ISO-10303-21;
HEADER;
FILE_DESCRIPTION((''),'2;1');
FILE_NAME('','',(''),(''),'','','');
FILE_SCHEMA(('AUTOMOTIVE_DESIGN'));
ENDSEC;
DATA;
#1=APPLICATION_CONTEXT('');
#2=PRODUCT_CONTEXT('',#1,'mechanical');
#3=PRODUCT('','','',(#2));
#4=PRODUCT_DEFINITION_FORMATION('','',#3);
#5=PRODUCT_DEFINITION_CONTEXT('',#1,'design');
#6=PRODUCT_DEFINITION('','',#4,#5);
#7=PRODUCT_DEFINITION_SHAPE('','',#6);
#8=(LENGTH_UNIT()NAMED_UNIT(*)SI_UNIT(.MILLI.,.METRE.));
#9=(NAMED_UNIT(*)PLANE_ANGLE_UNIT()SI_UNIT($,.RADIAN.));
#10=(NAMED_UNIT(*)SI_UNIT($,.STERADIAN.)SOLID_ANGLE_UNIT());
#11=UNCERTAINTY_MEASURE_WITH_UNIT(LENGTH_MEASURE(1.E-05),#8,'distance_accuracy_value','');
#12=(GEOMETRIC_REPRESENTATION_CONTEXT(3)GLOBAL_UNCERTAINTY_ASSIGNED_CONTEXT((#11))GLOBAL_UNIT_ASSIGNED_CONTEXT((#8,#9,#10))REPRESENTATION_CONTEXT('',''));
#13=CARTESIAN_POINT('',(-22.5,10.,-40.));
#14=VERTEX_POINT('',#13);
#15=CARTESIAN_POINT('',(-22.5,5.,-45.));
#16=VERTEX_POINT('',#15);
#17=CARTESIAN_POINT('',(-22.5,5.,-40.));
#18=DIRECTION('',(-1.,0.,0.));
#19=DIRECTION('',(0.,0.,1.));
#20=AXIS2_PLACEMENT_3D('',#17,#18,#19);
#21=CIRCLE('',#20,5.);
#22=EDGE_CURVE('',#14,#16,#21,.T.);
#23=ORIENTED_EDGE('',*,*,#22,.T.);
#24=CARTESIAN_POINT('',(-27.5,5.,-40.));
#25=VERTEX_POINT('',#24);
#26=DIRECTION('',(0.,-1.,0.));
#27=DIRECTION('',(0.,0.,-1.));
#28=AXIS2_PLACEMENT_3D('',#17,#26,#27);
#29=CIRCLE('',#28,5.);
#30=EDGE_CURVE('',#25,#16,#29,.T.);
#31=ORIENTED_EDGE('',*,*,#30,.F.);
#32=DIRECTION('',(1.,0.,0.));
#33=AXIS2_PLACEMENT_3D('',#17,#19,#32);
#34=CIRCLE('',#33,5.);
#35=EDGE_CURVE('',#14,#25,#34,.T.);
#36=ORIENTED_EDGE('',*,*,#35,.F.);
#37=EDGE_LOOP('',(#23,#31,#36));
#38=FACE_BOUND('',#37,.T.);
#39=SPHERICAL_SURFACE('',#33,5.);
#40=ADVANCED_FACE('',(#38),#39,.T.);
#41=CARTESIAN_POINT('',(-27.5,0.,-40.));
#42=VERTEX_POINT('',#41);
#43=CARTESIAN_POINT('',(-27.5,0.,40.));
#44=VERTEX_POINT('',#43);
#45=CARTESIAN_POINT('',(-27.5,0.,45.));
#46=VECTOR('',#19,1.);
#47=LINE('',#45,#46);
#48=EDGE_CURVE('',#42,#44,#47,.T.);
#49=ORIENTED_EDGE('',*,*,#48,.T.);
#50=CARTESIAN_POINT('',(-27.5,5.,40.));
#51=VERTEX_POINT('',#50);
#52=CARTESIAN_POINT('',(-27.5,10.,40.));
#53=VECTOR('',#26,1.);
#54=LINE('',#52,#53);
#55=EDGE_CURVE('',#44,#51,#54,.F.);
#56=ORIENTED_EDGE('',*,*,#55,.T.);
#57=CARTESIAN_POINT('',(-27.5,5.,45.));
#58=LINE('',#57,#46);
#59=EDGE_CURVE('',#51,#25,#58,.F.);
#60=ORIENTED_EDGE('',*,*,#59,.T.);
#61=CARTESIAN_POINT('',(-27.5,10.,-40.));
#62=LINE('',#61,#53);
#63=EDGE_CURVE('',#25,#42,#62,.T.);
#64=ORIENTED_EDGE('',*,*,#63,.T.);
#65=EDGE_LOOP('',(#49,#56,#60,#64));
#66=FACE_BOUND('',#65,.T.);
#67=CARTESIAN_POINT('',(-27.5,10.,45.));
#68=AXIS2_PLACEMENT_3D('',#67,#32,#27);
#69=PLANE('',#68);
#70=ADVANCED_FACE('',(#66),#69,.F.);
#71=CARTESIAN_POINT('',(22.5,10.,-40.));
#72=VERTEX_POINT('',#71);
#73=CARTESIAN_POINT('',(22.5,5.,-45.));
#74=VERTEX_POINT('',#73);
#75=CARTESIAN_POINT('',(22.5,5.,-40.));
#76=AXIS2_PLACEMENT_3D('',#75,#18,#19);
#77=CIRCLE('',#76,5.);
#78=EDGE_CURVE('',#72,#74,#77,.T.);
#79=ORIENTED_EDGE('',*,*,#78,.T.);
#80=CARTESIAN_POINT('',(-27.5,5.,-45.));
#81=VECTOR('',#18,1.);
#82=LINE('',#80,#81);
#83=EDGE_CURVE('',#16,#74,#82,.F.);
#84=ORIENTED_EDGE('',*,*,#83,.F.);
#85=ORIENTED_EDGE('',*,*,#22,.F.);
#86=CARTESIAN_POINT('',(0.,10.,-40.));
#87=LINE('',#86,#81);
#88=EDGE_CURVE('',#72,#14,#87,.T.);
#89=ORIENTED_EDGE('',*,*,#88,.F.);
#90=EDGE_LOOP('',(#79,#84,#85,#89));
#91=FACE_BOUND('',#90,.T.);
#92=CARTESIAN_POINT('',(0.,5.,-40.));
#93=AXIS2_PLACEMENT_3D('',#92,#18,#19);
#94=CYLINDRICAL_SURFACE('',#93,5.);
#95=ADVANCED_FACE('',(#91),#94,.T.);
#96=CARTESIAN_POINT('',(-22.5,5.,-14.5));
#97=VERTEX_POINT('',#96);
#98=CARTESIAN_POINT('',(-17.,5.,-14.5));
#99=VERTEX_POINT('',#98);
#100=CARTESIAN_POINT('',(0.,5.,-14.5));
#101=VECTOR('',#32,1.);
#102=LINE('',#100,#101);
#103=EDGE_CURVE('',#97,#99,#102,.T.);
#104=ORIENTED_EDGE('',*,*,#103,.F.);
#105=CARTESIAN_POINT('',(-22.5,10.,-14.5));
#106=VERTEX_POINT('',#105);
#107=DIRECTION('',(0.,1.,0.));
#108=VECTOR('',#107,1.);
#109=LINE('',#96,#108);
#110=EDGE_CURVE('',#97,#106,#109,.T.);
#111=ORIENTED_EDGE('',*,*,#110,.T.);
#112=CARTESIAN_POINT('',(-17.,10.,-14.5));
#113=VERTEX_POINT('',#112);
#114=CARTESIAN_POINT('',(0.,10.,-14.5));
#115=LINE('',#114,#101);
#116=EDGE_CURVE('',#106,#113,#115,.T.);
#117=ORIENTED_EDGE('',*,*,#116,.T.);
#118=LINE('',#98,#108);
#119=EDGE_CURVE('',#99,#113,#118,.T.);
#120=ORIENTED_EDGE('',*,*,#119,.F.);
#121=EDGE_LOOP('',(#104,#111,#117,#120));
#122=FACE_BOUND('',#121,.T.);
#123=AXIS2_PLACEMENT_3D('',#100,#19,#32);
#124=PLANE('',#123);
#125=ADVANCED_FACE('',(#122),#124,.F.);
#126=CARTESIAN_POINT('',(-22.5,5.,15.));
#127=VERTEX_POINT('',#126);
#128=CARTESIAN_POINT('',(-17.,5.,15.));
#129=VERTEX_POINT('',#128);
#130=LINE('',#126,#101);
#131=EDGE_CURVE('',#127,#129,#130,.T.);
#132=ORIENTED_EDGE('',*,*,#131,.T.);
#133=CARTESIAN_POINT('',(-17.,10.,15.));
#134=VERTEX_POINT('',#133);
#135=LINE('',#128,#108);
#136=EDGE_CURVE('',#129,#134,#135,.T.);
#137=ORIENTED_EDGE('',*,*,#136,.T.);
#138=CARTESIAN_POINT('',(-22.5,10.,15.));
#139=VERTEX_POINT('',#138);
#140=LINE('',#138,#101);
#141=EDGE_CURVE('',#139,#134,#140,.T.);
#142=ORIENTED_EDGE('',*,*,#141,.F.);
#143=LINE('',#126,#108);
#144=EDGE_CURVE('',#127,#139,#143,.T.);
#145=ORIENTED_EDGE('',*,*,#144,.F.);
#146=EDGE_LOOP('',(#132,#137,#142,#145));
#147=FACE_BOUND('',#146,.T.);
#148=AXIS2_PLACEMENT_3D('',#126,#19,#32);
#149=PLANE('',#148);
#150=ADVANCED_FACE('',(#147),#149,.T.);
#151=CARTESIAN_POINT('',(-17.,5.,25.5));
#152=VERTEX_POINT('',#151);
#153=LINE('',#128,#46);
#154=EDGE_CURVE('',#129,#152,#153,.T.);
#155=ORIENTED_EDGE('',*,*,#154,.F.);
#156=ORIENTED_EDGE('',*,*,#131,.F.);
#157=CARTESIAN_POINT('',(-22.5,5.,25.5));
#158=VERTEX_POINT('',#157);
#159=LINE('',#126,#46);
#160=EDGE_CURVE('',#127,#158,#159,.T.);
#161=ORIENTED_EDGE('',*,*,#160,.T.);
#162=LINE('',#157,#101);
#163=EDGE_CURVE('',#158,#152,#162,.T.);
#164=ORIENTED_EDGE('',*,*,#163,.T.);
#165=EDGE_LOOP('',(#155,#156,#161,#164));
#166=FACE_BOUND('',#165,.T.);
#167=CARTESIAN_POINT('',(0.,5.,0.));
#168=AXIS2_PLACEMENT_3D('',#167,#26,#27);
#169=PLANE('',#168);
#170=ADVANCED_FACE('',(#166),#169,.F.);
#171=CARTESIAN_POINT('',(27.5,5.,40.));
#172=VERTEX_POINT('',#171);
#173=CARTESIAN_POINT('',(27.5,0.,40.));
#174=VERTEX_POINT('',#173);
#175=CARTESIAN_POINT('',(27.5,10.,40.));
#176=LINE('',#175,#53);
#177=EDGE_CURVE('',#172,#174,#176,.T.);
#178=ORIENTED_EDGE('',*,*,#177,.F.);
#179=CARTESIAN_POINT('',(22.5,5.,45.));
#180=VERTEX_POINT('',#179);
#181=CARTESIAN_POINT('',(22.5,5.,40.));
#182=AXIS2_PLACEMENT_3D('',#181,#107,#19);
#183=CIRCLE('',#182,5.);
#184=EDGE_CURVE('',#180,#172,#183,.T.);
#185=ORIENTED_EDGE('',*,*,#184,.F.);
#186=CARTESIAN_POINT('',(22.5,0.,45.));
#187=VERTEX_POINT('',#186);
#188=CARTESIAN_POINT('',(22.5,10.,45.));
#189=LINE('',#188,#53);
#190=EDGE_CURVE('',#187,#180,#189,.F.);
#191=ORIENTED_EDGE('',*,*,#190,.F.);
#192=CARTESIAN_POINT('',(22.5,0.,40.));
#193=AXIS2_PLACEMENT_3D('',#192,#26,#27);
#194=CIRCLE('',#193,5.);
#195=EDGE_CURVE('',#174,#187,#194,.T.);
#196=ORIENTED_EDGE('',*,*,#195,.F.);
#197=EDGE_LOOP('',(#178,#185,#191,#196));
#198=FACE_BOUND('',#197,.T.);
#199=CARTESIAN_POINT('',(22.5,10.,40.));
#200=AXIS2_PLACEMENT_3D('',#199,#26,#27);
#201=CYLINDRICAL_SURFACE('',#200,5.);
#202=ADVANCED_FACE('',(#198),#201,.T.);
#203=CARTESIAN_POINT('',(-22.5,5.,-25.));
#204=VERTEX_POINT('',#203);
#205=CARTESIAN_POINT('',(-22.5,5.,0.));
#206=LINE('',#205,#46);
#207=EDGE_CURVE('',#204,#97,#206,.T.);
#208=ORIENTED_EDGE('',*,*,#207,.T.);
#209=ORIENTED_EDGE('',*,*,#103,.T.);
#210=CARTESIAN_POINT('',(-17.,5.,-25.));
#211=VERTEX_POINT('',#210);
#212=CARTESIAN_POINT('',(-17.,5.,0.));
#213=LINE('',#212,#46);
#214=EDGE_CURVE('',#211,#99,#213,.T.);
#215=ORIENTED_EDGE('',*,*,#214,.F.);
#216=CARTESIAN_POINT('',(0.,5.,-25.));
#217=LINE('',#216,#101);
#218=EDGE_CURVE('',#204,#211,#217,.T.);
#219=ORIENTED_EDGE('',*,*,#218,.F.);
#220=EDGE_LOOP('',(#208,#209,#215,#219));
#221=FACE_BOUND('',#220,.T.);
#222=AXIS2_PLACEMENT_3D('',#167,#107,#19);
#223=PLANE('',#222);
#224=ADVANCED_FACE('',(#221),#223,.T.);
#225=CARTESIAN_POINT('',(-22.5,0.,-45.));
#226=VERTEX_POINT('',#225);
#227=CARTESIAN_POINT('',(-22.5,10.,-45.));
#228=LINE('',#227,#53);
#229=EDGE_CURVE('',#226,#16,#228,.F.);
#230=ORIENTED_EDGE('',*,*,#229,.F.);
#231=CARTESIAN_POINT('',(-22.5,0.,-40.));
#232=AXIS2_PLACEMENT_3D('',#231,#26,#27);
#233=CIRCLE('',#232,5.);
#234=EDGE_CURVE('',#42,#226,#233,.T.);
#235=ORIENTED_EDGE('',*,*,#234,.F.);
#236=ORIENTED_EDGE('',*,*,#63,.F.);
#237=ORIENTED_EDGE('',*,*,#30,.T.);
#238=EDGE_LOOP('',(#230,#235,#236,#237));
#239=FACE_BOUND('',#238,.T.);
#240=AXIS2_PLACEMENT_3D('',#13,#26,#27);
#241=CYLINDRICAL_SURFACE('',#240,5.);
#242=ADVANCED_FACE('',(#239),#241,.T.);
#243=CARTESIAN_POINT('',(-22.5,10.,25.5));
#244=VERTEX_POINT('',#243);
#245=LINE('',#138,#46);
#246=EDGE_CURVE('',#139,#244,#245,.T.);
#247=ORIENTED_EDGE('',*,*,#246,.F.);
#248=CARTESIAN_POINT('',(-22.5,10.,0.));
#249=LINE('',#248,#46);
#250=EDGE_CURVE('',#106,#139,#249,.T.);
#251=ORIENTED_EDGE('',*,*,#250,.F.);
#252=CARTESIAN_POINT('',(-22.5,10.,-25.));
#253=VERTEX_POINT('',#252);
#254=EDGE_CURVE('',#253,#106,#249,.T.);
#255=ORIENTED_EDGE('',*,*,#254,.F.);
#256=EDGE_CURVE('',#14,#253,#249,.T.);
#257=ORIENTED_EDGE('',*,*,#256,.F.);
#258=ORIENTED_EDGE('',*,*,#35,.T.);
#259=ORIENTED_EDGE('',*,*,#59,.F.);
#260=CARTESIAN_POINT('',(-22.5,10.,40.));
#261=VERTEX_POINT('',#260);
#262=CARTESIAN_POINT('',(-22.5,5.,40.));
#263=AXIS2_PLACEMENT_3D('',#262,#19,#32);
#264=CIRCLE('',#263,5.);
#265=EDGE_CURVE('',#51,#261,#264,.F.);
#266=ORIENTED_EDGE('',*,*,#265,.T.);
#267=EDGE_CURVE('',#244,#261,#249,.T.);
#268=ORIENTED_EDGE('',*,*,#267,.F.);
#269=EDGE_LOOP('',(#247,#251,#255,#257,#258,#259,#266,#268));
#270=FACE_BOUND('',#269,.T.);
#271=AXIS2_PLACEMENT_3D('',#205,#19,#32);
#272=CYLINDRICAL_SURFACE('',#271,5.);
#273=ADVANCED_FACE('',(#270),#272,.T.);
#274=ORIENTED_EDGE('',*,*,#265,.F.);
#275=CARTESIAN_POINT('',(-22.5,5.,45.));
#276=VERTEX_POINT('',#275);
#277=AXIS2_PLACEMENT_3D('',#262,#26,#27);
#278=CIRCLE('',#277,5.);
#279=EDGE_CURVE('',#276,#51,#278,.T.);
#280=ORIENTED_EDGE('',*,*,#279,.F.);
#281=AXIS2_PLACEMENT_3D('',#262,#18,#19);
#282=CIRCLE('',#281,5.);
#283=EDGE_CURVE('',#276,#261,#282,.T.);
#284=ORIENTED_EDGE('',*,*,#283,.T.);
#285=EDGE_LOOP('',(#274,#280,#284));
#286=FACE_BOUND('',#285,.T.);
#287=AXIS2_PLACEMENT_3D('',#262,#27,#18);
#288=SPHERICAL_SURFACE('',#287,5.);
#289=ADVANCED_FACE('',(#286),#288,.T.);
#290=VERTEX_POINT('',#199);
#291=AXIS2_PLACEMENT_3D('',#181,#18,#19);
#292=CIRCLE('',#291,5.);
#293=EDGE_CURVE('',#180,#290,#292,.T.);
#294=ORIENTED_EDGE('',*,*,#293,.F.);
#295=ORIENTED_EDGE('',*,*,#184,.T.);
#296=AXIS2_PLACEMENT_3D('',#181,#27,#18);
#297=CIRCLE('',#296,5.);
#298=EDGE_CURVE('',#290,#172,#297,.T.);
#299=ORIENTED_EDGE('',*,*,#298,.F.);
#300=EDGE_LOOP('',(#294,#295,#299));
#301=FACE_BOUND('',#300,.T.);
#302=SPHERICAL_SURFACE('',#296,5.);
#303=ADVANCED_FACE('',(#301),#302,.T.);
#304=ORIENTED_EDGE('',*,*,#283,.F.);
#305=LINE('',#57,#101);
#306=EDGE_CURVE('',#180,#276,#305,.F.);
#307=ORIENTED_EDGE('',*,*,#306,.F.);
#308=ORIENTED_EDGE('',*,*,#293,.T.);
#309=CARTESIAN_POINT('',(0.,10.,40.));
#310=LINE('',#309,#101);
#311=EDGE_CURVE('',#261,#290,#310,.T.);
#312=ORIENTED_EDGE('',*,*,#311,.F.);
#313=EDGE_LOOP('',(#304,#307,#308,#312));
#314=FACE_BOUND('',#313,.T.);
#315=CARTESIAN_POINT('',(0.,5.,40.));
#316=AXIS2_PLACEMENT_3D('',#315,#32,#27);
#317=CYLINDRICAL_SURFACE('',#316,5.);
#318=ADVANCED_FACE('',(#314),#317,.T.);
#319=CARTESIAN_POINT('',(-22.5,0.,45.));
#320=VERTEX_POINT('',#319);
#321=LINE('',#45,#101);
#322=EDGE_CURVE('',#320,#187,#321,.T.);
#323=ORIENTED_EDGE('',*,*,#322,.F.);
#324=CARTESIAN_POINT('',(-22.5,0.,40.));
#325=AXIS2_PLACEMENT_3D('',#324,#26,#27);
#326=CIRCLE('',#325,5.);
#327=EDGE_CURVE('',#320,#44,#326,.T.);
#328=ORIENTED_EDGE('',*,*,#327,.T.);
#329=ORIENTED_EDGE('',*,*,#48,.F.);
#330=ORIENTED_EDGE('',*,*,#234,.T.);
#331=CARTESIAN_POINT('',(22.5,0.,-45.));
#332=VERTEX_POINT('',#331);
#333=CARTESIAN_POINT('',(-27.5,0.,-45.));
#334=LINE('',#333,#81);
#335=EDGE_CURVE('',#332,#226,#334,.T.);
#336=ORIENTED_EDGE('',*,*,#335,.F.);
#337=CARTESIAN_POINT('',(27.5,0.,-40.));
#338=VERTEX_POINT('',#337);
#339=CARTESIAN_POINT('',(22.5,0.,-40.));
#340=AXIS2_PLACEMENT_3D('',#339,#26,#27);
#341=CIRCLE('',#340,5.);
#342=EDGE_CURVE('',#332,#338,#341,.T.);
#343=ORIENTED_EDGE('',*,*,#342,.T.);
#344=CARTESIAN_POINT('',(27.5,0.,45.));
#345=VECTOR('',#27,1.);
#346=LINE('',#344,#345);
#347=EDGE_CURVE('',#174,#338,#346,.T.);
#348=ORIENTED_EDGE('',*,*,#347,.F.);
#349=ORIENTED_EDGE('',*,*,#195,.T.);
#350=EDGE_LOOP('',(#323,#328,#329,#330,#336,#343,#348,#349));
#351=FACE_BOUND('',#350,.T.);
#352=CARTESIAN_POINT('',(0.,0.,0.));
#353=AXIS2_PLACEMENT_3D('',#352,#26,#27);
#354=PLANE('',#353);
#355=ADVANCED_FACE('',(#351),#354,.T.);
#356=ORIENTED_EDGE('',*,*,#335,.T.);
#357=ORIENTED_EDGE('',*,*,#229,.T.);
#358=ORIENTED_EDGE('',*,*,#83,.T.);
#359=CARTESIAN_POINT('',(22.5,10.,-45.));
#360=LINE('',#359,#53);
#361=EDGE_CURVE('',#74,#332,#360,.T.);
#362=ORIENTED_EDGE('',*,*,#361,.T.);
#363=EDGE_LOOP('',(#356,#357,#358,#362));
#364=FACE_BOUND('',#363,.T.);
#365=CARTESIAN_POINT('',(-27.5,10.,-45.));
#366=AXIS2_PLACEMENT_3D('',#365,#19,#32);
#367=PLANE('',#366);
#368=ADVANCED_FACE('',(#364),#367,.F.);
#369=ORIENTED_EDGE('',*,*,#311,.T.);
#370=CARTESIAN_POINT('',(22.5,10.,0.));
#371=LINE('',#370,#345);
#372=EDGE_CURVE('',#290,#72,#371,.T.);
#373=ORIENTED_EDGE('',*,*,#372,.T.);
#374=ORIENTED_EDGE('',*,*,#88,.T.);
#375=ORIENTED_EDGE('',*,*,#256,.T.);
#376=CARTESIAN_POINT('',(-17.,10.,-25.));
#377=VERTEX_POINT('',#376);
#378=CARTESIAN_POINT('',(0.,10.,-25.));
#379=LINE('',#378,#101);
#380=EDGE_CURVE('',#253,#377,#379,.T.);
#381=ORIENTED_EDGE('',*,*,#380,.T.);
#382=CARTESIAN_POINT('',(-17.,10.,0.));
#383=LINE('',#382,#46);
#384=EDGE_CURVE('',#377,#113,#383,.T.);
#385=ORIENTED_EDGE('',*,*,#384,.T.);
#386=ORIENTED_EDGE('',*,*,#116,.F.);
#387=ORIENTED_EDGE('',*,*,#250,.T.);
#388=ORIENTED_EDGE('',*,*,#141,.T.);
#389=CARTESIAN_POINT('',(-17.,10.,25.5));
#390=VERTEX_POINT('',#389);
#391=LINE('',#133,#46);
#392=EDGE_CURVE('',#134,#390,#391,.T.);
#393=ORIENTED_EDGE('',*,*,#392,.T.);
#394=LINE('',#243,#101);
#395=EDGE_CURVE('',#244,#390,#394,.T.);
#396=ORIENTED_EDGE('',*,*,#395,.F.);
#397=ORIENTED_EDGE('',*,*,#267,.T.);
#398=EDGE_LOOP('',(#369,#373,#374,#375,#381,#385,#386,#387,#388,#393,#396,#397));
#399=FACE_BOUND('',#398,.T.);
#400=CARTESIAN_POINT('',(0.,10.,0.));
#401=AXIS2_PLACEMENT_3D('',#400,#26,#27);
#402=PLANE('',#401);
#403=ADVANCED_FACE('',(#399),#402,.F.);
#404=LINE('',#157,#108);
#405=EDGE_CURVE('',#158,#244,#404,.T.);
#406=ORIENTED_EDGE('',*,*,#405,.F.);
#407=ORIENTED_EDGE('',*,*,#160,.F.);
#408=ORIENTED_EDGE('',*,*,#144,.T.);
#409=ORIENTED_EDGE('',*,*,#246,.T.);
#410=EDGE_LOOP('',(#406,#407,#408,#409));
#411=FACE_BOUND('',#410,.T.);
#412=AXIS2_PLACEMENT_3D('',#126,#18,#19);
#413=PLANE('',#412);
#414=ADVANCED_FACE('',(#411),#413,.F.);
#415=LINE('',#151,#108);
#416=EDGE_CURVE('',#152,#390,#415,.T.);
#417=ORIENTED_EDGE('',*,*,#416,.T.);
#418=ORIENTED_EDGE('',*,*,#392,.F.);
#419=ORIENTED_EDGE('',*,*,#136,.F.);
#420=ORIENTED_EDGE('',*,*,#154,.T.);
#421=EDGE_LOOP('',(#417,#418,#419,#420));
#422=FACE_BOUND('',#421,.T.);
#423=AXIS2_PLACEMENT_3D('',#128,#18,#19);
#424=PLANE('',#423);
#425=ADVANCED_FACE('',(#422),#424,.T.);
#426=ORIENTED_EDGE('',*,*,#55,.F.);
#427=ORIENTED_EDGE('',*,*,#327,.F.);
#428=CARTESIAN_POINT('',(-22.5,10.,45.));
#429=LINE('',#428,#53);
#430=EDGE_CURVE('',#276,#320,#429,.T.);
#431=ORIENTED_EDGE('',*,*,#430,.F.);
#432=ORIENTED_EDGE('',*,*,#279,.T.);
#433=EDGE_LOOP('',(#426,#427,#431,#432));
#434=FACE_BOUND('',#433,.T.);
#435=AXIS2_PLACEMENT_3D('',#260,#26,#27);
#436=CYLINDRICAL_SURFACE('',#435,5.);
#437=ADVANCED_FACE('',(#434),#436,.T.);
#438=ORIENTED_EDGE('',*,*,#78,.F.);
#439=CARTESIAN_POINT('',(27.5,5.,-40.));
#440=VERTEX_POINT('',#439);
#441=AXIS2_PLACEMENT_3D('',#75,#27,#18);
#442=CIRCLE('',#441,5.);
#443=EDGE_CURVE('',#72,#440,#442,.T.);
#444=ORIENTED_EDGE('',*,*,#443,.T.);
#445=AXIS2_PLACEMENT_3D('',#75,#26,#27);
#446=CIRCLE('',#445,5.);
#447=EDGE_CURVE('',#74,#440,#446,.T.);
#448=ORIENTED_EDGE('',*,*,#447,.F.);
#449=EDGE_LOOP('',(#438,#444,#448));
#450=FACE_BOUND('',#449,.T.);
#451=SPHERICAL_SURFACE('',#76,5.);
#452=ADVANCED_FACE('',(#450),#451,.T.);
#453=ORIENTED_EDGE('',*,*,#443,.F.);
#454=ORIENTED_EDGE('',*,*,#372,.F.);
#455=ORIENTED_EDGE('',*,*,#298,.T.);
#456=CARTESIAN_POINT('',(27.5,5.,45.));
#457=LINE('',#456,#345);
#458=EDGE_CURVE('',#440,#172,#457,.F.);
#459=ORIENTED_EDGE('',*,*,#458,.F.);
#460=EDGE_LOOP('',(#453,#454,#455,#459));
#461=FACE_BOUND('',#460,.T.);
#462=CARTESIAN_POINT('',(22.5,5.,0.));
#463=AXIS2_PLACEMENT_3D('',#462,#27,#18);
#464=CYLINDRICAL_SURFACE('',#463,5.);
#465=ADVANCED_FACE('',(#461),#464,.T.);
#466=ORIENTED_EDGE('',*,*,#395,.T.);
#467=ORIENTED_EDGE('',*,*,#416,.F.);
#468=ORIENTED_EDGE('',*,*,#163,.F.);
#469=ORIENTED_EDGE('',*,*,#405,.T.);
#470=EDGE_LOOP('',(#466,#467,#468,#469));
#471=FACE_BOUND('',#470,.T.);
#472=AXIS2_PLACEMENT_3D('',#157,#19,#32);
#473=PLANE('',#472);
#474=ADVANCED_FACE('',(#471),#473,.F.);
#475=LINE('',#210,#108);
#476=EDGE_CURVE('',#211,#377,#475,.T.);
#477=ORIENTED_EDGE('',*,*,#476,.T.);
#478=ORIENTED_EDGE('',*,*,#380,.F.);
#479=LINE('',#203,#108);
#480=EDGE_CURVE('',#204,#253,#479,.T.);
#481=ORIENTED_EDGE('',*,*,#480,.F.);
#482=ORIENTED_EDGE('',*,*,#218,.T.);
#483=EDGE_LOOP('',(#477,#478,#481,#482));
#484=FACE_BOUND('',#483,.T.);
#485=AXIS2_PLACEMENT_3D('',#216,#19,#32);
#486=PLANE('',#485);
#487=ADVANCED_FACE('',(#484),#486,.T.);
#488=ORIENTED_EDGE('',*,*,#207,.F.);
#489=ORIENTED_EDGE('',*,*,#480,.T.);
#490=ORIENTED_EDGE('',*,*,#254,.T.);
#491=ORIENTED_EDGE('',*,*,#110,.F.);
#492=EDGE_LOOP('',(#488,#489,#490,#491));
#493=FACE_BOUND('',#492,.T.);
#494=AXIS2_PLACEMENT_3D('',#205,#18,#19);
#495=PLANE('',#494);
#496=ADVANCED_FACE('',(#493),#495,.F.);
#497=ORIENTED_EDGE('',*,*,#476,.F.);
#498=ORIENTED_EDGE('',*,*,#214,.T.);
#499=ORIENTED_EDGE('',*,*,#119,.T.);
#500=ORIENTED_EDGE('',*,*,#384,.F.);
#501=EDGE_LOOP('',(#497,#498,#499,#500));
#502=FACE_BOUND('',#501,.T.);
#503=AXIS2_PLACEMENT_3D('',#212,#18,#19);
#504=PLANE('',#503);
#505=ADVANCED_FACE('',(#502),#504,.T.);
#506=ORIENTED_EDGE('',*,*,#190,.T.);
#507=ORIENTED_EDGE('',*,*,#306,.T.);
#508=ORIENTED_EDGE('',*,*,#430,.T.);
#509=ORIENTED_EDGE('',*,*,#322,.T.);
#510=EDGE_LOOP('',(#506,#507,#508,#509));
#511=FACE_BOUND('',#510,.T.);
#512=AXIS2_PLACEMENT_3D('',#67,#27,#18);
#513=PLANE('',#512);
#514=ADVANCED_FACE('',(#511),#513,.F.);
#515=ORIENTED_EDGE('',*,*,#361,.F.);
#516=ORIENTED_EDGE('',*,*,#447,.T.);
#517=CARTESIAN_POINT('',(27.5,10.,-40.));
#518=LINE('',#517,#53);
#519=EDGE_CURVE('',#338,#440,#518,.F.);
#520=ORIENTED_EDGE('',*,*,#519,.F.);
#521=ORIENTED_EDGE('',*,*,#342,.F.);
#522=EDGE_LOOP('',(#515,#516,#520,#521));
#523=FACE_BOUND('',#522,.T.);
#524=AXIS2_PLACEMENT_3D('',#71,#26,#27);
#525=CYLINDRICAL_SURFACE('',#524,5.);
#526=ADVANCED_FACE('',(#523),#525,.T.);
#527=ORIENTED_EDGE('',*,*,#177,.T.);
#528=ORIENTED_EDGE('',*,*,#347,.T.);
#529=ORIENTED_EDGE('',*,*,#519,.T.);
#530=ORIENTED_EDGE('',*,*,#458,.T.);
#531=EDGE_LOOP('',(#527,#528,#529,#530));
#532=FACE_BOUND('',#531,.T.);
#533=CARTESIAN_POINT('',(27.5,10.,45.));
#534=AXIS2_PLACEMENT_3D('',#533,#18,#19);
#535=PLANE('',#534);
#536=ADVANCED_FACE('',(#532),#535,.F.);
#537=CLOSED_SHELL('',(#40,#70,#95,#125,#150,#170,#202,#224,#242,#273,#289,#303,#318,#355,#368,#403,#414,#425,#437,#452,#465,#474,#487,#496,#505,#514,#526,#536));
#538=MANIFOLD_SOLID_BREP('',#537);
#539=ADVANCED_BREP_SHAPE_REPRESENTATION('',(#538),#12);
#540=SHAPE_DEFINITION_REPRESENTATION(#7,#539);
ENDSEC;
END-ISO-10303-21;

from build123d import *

# Parameters (mm, degrees)
SKETCH_2_W          = 55
SKETCH_2_H          = 90
EXTRUDE_1_DEPTH     = 10
FILLET_1_R          = 5
FILLET_2_R          = 5
FILLET_3_R          = 5
FILLET_4_R          = 5
SKETCH_3_W          = 5.5
SKETCH_3_H          = 10.5
CUT_EXTRUDE_1_DEPTH = 5


with BuildPart() as part:
    # 草图2 → 凸台-拉伸1 (new body)
    with BuildSketch(Plane(origin=(0, 0, 0), x_dir=(1, 0, 0), z_dir=(0, 1, 0))):
        Rectangle(SKETCH_2_W, SKETCH_2_H)
    extrude(amount=EXTRUDE_1_DEPTH)

    # 圆角1
    fillet_1_edges = [part.edges().sort_by_distance(p)[0] for p in [
        (-27.5, 10, 0),
    ]]
    fillet(fillet_1_edges, radius=FILLET_1_R)

    # 圆角2
    fillet_2_edges = [part.edges().sort_by_distance(p)[0] for p in [
        (-27.5, 2.5, -45),
        (-26.035533906, 8.535533906, -45),
        (2.5, 10, -45),
    ]]
    fillet(fillet_2_edges, radius=FILLET_2_R)

    # 圆角3
    fillet_3_edges = [part.edges().sort_by_distance(p)[0] for p in [
        (27.5, 2.5, -45),
        (27.5, 8.535533906, -43.535533906),
        (27.5, 10, 2.5),
    ]]
    fillet(fillet_3_edges, radius=FILLET_3_R)

    # 圆角4
    fillet_4_edges = [part.edges().sort_by_distance(p)[0] for p in [
        (0, 10, 45),
        (-27.5, 2.5, 45),
        (-26.035533906, 8.535533906, 45),
        (27.5, 2.5, 45),
        (26.035533906, 8.535533906, 45),
    ]]
    fillet(fillet_4_edges, radius=FILLET_4_R)

    # 草图3 → 切除-拉伸1 (cut)
    with BuildSketch(Plane(origin=(0, 10, 0), x_dir=(1, 0, 0), z_dir=(0, 1, 0))):
        with Locations((-19.75, 19.75)):
            Rectangle(SKETCH_3_W, SKETCH_3_H)
        with Locations((-19.75, -20.25)):
            Rectangle(SKETCH_3_W, SKETCH_3_H)
    extrude(amount=-CUT_EXTRUDE_1_DEPTH, mode=Mode.SUBTRACT)


solid = part.part
